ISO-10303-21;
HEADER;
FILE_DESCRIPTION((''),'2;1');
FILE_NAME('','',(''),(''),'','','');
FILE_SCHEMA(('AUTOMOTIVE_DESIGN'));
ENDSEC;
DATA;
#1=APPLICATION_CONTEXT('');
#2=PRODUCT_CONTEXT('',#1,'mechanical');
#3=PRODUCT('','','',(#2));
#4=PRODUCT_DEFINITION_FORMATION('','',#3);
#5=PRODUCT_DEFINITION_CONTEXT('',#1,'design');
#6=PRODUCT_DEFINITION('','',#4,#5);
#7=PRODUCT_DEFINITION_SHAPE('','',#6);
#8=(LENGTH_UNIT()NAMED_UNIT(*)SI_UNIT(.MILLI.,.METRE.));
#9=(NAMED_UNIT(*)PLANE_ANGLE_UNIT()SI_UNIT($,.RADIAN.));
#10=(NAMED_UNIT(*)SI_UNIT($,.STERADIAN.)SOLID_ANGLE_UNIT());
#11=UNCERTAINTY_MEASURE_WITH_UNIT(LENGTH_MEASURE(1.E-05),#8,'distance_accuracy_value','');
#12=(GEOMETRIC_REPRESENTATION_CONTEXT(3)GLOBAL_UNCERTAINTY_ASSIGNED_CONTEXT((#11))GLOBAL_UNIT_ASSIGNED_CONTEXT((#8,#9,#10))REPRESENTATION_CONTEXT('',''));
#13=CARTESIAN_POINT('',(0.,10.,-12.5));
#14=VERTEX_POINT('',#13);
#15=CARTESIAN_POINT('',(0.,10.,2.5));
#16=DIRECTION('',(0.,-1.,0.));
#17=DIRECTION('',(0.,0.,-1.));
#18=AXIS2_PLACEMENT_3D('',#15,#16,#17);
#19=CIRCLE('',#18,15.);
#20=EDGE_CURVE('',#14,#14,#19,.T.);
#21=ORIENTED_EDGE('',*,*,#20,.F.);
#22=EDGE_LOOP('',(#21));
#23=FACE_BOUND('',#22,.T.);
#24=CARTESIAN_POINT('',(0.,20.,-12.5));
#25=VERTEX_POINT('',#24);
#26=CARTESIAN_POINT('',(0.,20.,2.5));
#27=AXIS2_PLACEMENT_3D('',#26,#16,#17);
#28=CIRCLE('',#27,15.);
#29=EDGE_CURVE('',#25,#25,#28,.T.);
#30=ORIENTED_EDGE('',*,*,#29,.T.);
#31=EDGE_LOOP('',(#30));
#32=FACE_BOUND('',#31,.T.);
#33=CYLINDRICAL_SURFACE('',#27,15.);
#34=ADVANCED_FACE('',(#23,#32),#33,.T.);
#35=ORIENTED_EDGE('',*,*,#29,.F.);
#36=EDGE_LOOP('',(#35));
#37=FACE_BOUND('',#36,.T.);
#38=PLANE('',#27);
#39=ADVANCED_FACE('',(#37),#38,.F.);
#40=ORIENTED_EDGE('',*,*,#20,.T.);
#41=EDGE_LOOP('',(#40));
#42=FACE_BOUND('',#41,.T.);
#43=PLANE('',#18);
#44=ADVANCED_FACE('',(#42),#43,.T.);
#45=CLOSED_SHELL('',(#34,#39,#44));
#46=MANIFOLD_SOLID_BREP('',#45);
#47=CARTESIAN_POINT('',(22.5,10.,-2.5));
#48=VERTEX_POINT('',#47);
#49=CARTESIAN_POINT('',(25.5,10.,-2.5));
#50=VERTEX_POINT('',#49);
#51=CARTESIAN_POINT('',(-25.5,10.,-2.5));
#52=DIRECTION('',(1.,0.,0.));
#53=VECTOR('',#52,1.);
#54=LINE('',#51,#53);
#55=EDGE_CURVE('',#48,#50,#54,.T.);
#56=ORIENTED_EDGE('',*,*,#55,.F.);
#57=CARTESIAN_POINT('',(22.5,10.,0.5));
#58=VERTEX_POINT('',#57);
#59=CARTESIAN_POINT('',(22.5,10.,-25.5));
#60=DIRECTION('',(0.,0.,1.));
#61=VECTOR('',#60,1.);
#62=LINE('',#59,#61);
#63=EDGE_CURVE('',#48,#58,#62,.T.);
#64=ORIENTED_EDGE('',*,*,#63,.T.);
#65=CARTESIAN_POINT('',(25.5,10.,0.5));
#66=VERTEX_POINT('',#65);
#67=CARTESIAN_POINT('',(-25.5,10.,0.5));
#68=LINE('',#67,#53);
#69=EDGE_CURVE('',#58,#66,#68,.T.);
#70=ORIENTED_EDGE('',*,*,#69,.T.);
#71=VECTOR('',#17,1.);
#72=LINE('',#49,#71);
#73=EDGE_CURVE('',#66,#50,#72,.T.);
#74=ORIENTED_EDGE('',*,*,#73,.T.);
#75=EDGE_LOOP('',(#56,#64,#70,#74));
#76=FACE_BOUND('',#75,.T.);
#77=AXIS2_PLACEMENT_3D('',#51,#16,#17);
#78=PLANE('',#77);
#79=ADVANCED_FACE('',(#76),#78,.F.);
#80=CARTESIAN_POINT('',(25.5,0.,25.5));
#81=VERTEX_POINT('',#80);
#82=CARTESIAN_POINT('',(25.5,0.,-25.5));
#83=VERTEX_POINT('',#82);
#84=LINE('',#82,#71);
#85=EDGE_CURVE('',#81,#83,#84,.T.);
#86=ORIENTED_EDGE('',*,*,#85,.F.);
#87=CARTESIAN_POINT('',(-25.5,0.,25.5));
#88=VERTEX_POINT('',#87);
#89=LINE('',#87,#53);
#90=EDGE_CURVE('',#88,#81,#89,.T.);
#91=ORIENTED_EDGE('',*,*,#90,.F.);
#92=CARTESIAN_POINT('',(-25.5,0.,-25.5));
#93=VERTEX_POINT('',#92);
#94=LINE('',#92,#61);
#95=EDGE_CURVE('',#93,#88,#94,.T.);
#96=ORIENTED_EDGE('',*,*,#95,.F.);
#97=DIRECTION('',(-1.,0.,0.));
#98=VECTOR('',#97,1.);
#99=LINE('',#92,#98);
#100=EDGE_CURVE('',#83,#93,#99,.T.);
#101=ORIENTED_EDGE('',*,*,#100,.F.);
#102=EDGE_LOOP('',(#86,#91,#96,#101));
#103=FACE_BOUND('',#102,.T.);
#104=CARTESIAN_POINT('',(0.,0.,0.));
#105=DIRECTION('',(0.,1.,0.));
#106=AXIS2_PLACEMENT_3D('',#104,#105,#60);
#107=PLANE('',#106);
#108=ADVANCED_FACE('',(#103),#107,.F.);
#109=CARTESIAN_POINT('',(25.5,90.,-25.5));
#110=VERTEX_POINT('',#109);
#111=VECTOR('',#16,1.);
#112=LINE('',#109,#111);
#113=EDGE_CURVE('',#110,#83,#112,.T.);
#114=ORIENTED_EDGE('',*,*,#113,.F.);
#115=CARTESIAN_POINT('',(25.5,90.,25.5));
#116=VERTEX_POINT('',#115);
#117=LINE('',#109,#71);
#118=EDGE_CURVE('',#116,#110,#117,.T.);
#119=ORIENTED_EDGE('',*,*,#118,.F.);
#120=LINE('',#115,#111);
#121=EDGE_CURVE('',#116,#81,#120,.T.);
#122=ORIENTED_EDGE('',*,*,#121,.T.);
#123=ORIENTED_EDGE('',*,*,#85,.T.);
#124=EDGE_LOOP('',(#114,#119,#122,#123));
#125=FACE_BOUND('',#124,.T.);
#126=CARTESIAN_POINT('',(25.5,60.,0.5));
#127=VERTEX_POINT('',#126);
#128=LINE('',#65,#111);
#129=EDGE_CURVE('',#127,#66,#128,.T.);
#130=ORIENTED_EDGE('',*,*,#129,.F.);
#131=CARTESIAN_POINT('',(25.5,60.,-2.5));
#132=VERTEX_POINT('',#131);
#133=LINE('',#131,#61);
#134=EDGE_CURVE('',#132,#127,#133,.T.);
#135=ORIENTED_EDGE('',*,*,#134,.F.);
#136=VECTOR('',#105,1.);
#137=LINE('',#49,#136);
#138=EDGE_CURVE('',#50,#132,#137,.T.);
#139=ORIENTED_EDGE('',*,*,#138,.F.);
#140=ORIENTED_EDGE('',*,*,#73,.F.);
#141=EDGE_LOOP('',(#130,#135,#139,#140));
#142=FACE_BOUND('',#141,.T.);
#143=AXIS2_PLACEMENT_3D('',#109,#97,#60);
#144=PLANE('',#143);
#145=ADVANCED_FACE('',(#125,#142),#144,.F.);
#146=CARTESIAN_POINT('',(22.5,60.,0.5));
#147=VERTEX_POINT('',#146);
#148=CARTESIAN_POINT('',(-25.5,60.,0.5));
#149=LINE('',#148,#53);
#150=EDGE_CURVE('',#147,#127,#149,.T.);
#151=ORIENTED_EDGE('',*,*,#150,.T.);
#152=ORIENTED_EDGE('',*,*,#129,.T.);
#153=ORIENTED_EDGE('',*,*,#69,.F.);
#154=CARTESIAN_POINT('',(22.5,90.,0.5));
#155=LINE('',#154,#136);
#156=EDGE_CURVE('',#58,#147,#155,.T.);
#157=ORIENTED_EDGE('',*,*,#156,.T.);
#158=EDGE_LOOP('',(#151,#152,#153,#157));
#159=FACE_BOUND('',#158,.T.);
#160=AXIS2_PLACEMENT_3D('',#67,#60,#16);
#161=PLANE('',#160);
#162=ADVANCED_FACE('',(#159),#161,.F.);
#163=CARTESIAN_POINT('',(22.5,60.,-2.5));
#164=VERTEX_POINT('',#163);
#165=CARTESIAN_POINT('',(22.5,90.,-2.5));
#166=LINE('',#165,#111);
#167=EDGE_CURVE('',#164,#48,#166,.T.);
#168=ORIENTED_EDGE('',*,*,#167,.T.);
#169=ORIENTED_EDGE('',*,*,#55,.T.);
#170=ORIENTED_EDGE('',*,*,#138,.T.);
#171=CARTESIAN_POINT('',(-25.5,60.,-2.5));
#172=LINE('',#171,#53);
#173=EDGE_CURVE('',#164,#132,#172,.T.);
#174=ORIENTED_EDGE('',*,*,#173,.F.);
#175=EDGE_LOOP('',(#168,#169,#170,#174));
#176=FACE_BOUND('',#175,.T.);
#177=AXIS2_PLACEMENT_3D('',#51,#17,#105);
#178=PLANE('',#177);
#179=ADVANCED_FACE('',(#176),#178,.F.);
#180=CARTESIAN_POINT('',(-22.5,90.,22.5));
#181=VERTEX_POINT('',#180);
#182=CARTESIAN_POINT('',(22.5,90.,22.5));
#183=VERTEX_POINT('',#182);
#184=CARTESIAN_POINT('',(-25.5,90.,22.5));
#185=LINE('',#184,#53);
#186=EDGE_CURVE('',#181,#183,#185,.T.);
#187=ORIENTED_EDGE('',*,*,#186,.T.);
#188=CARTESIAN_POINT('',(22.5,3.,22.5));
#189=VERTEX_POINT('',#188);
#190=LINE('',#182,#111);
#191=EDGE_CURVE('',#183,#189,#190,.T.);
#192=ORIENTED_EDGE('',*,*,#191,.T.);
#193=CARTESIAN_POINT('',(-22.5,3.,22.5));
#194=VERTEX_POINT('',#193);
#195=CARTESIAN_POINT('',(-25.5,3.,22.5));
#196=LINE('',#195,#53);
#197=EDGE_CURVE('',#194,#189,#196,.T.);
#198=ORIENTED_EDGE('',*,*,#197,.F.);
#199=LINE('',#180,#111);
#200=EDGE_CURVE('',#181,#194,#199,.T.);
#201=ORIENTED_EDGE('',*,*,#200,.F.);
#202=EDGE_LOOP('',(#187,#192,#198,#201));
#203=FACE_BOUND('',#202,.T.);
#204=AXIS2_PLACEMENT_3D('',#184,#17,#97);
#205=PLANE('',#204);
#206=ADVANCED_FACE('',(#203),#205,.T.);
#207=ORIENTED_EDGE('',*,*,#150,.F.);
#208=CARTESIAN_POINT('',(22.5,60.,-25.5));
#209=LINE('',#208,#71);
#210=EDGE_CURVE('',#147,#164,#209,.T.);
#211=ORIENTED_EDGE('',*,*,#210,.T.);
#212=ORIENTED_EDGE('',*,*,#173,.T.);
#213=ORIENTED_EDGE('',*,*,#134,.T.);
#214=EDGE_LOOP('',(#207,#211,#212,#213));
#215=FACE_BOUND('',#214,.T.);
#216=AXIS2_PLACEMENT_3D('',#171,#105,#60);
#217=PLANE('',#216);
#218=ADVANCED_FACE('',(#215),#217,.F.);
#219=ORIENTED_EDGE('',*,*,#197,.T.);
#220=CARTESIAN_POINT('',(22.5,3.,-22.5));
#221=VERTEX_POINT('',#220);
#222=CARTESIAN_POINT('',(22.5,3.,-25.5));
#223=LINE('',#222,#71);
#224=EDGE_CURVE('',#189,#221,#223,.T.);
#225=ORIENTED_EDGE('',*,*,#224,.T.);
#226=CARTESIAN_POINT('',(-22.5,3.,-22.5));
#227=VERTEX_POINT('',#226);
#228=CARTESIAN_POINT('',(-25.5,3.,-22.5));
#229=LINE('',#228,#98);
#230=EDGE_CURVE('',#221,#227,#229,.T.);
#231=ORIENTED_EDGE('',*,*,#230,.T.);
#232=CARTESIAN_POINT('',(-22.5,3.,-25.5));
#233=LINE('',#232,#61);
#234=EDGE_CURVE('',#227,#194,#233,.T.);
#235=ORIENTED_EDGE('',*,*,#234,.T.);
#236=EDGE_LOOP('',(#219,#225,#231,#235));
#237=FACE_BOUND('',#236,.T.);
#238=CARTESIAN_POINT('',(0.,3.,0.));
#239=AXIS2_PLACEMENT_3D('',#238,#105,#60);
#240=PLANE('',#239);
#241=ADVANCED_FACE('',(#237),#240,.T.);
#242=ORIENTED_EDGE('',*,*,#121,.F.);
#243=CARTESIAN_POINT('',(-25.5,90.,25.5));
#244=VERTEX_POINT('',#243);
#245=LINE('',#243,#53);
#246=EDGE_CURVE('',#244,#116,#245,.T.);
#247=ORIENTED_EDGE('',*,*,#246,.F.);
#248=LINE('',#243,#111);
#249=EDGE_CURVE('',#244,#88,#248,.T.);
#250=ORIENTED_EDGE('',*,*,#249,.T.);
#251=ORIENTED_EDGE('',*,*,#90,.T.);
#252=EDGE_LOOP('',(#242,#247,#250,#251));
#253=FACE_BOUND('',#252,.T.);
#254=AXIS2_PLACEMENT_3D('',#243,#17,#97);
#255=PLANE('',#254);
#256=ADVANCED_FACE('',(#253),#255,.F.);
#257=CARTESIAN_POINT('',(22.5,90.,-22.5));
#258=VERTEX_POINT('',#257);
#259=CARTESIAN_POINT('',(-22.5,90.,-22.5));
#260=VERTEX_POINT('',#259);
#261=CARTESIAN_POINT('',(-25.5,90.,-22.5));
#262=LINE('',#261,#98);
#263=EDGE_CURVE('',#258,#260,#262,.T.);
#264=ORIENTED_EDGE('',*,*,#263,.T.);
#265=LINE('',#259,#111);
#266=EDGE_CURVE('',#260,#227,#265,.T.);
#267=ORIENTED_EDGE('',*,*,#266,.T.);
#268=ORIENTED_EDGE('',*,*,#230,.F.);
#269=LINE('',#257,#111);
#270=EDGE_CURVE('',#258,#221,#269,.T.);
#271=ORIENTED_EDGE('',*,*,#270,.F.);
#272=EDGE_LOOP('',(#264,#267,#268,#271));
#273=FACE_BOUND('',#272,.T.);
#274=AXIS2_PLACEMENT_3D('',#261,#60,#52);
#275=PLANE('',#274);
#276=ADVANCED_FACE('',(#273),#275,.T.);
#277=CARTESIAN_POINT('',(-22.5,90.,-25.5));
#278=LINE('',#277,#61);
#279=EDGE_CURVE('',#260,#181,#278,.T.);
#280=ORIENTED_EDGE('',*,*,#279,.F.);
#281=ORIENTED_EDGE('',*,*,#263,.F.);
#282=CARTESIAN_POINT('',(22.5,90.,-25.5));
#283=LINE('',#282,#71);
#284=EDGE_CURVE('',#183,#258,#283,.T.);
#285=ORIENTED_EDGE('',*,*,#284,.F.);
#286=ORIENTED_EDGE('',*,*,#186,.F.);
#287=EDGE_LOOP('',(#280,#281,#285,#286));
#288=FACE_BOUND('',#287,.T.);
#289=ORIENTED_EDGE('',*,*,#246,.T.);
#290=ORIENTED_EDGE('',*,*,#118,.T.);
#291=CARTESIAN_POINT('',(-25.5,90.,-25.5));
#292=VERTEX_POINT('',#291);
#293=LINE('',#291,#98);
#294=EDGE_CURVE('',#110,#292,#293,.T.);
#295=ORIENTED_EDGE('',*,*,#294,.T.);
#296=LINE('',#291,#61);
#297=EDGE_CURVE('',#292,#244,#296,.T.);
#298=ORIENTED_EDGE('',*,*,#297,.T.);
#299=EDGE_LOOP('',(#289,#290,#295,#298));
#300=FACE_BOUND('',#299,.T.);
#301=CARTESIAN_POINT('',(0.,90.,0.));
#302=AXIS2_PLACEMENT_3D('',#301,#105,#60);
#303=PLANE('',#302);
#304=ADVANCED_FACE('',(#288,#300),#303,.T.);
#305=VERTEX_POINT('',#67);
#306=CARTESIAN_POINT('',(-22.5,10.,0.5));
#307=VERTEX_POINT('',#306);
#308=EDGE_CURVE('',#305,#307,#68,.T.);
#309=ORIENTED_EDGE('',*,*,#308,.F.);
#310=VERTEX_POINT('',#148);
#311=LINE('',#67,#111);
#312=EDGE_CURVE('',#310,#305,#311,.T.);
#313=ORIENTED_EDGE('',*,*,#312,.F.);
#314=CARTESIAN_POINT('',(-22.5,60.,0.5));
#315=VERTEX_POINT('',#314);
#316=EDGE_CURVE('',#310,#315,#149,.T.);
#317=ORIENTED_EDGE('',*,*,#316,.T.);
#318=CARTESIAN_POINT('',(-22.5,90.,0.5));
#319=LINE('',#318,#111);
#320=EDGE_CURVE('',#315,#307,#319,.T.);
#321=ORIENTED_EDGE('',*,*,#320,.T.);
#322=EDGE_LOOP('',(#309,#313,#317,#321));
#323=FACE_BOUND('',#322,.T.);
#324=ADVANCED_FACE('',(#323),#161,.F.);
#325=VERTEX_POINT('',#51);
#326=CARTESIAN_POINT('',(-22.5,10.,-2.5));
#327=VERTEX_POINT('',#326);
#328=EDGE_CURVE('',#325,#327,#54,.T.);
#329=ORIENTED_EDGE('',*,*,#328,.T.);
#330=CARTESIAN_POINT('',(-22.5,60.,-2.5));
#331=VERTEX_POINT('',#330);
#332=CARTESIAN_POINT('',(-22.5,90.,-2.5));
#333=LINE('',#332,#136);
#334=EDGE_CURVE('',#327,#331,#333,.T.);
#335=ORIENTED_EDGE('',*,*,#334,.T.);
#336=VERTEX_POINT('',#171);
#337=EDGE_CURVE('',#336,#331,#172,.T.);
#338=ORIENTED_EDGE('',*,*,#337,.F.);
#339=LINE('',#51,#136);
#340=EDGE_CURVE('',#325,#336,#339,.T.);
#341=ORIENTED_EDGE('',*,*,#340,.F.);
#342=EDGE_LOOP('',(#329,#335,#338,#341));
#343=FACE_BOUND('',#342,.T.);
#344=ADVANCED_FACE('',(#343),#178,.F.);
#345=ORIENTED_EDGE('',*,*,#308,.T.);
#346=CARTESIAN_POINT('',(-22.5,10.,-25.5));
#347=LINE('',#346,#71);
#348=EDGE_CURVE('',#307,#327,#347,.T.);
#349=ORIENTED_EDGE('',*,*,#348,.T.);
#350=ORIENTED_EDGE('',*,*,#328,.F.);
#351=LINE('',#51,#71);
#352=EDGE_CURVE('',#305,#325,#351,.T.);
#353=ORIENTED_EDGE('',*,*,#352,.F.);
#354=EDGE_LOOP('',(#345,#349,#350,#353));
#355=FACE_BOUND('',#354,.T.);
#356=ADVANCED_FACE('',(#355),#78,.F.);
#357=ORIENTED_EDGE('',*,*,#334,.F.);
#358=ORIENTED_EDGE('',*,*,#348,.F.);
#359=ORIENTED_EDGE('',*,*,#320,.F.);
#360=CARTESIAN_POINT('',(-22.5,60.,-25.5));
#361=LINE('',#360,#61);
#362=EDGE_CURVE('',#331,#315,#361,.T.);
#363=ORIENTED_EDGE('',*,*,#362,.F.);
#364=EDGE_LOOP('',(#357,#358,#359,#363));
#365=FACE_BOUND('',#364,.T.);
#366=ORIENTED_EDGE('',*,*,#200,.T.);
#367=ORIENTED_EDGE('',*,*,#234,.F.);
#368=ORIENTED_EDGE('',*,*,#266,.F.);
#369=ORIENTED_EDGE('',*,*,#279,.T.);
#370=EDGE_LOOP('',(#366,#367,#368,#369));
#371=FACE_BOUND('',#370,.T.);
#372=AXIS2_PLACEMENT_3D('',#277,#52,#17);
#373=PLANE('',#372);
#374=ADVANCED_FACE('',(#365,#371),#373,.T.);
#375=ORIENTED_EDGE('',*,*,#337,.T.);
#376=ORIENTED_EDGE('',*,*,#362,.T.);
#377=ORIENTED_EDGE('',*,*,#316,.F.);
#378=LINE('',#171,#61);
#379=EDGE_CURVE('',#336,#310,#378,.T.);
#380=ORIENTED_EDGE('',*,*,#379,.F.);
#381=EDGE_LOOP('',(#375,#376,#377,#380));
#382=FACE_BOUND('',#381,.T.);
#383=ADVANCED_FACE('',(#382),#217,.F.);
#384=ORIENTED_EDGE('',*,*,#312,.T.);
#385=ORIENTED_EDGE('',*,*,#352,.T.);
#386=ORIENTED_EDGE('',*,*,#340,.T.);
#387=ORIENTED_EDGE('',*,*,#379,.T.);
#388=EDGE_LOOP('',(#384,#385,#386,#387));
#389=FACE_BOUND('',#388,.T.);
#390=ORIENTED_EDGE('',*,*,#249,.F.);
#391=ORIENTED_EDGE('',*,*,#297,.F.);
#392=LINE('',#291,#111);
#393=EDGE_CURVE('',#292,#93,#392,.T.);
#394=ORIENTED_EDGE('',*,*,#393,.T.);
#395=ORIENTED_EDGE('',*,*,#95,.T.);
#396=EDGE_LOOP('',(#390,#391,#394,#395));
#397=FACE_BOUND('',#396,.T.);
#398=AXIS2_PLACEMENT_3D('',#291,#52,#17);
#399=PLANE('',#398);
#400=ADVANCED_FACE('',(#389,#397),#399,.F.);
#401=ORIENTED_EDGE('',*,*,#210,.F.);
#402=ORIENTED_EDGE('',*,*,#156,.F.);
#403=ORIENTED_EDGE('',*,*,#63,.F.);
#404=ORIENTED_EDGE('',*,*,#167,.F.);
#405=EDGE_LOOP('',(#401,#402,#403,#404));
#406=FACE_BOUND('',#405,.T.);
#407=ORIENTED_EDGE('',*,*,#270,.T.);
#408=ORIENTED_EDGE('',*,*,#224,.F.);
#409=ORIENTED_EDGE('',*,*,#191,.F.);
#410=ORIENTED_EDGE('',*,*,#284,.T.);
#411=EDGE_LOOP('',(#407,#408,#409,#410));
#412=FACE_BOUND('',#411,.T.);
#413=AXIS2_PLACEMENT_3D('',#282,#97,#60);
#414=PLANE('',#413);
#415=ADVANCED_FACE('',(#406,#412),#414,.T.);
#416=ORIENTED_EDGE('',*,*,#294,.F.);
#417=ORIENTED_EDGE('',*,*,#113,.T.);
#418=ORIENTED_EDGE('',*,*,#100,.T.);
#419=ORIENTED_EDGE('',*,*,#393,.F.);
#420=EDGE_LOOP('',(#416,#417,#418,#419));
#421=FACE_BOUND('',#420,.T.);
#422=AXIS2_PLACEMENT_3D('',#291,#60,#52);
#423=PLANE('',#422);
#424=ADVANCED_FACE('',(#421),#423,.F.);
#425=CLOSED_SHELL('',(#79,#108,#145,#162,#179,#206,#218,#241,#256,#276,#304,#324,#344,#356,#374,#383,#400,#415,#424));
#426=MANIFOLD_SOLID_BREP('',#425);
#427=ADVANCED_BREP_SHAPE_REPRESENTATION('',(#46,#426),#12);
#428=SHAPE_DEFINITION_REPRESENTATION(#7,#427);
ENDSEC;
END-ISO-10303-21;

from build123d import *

# Parameters (mm, degrees)
SKETCH1_W               = 51
SKETCH1_H               = 51
BOSS_EXTRUDE1_DEPTH     = 90
SHELL1_T                = -3
SKETCH2_W               = 3
SKETCH2_H               = 50
CUT_EXTRUDE1_DEPTH      = 26.5
CUT_EXTRUDE1_DEPTH_BACK = 26.5
SKETCH5_R               = 15
BOSS_EXTRUDE3_DEPTH     = 10


with BuildPart() as part:
    # Sketch1 → Boss-Extrude1 (new body)
    with BuildSketch(Plane(origin=(0, 0, 0), x_dir=(1, 0, 0), z_dir=(0, 1, 0))):
        Rectangle(SKETCH1_W, SKETCH1_H)
    extrude(amount=BOSS_EXTRUDE1_DEPTH)

    # Shell1
    shell1_openings = [part.faces().sort_by_distance(p)[0] for p in [
        (0, 90, 0),
    ]]
    offset(amount=SHELL1_T, openings=shell1_openings, kind=Kind.INTERSECTION)

    # Sketch2 → Cut-Extrude1 (cut, two sides)
    with BuildSketch(Plane(origin=(0, 0, 0), x_dir=(0, 0, -1), z_dir=(1, 0, 0))) as cut_extrude1_sk:
        with Locations((1, 35)):
            Rectangle(SKETCH2_W, SKETCH2_H)
    extrude(amount=CUT_EXTRUDE1_DEPTH, mode=Mode.SUBTRACT)
    extrude(cut_extrude1_sk.sketch, amount=-CUT_EXTRUDE1_DEPTH_BACK, mode=Mode.SUBTRACT)


with BuildPart() as body_2:
    # Sketch5 → Boss-Extrude3 (new body)
    with BuildSketch(Plane(origin=(0, 10, 0), x_dir=(-1, 0, 0), z_dir=(0, -1, 0))):
        with Locations((0, -2.5)):
            Circle(SKETCH5_R)
    extrude(amount=-BOSS_EXTRUDE3_DEPTH)


solid = Compound([part.part, body_2.part])
